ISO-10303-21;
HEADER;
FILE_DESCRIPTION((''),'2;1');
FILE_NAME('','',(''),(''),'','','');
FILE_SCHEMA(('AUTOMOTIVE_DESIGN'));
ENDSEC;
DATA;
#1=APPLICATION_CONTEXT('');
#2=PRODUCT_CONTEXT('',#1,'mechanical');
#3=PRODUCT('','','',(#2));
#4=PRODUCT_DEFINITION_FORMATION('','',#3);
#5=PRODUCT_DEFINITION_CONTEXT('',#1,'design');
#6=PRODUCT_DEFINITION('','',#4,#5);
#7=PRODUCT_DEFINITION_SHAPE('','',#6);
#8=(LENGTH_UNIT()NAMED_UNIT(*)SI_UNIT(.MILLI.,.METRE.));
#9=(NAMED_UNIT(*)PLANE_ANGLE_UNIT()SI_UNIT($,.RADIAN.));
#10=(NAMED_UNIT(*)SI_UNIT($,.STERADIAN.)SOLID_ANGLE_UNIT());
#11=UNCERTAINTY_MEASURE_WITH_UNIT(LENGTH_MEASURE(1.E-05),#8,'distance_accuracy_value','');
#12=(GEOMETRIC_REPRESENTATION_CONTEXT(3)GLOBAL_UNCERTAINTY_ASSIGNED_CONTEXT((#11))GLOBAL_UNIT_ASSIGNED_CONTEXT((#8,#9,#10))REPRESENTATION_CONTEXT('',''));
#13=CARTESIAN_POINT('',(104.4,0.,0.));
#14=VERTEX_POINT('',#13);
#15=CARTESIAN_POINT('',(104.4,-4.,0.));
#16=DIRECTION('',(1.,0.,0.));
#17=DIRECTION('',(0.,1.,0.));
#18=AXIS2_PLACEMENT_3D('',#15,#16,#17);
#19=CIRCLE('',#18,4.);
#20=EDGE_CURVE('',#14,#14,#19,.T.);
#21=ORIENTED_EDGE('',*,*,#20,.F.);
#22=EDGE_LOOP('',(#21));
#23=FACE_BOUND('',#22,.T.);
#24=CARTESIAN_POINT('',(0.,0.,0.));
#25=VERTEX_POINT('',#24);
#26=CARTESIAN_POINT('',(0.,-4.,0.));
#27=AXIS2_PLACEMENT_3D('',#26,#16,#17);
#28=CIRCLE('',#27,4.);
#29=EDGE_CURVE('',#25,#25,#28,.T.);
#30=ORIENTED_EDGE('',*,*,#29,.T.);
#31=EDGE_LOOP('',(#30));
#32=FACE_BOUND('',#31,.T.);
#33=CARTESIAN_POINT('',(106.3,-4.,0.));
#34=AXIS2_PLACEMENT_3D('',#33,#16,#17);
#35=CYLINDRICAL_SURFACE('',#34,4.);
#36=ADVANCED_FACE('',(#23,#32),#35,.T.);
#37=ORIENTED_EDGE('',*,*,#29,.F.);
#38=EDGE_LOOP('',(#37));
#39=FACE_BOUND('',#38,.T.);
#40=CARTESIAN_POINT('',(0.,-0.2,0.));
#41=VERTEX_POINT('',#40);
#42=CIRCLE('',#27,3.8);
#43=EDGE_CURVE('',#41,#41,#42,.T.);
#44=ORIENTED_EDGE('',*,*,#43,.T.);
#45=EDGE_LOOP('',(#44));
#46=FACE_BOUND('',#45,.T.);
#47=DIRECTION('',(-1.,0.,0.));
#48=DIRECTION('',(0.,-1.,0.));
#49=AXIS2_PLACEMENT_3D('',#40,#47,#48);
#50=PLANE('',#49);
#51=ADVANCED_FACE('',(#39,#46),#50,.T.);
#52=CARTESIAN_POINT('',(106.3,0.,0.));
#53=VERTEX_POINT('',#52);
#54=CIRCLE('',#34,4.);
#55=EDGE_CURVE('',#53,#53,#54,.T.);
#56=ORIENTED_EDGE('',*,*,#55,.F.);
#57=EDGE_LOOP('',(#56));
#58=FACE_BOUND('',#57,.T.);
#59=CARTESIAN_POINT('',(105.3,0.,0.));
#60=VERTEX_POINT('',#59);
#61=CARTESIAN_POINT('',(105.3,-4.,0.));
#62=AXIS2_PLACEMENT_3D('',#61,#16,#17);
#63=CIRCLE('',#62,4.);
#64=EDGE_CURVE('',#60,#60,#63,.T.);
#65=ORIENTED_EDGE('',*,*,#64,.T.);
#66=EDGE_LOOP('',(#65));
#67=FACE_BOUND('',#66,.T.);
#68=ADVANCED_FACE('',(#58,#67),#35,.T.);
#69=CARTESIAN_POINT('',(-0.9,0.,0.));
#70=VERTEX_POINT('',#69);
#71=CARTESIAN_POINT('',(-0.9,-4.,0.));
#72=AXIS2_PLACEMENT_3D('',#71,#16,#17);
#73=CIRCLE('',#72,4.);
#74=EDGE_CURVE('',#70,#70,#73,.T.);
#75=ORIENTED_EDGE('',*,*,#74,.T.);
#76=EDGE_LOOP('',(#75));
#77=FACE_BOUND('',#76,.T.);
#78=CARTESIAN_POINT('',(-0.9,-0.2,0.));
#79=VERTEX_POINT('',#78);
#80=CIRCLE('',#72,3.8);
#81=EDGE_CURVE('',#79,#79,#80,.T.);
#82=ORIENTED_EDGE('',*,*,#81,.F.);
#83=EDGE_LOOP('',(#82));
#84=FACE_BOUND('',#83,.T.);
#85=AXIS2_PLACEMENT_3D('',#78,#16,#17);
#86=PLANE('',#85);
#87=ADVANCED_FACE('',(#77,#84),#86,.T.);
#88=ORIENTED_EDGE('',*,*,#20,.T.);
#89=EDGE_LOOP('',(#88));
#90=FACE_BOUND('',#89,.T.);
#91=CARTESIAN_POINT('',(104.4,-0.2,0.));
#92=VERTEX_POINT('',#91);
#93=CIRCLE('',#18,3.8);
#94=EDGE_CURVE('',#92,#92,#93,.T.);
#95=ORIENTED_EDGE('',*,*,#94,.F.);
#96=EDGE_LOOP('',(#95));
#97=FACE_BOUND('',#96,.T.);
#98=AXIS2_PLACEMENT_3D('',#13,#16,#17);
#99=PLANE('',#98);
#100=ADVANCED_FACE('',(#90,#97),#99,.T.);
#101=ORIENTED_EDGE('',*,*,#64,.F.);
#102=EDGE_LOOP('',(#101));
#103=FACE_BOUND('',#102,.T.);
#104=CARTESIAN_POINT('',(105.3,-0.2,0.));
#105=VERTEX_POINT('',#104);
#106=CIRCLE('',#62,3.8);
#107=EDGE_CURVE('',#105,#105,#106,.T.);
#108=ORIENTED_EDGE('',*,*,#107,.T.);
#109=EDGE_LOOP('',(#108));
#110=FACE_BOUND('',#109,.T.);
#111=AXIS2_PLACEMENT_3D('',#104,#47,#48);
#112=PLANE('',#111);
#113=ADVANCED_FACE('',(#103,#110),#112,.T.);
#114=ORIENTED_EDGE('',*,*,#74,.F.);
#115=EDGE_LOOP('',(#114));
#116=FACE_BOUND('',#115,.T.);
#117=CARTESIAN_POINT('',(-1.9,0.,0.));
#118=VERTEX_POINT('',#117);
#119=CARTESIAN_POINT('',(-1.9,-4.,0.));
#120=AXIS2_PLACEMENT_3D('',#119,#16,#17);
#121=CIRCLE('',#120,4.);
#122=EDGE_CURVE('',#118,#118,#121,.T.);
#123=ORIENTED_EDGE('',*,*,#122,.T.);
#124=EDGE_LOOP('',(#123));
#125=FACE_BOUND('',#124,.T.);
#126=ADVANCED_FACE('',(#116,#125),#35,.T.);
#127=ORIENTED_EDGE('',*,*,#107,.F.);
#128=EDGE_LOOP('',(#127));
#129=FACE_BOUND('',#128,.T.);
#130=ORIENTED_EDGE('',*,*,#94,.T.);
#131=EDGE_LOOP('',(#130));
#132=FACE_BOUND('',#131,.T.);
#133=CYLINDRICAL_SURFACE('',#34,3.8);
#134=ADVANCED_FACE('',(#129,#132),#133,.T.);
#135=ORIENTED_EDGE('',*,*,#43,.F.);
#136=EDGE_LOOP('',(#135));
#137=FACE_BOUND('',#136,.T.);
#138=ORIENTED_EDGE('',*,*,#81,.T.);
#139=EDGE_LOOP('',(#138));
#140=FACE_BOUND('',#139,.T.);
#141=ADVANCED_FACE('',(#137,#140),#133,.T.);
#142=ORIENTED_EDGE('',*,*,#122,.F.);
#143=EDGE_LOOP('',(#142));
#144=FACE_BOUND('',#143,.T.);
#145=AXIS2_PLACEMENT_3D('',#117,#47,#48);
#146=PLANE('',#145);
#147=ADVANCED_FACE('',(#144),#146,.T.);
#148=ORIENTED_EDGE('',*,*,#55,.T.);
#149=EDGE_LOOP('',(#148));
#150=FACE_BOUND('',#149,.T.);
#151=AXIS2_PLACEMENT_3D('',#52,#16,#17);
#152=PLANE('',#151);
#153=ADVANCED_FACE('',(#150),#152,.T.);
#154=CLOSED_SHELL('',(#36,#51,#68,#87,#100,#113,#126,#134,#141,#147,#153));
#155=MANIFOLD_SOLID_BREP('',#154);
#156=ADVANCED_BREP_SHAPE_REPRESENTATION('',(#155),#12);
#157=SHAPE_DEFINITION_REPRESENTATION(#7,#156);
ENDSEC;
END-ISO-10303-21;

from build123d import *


with BuildPart() as part:
    # Sketch1 → Revolve1 (revolve)
    with BuildSketch(Plane.XY):
        Polygon((0, 0), (104.4, 0), (104.4, -0.2), (105.3, -0.2), (105.3, 0), (106.3, 0), (106.3, -4), (10.4, -4), (-1.9, -4), (-1.9, 0), (-0.9, 0), (-0.9, -0.2), (0, -0.2), align=None)
    revolve(axis=Axis((106.3, -4, 0), (-1, 0, 0)))


solid = part.part
